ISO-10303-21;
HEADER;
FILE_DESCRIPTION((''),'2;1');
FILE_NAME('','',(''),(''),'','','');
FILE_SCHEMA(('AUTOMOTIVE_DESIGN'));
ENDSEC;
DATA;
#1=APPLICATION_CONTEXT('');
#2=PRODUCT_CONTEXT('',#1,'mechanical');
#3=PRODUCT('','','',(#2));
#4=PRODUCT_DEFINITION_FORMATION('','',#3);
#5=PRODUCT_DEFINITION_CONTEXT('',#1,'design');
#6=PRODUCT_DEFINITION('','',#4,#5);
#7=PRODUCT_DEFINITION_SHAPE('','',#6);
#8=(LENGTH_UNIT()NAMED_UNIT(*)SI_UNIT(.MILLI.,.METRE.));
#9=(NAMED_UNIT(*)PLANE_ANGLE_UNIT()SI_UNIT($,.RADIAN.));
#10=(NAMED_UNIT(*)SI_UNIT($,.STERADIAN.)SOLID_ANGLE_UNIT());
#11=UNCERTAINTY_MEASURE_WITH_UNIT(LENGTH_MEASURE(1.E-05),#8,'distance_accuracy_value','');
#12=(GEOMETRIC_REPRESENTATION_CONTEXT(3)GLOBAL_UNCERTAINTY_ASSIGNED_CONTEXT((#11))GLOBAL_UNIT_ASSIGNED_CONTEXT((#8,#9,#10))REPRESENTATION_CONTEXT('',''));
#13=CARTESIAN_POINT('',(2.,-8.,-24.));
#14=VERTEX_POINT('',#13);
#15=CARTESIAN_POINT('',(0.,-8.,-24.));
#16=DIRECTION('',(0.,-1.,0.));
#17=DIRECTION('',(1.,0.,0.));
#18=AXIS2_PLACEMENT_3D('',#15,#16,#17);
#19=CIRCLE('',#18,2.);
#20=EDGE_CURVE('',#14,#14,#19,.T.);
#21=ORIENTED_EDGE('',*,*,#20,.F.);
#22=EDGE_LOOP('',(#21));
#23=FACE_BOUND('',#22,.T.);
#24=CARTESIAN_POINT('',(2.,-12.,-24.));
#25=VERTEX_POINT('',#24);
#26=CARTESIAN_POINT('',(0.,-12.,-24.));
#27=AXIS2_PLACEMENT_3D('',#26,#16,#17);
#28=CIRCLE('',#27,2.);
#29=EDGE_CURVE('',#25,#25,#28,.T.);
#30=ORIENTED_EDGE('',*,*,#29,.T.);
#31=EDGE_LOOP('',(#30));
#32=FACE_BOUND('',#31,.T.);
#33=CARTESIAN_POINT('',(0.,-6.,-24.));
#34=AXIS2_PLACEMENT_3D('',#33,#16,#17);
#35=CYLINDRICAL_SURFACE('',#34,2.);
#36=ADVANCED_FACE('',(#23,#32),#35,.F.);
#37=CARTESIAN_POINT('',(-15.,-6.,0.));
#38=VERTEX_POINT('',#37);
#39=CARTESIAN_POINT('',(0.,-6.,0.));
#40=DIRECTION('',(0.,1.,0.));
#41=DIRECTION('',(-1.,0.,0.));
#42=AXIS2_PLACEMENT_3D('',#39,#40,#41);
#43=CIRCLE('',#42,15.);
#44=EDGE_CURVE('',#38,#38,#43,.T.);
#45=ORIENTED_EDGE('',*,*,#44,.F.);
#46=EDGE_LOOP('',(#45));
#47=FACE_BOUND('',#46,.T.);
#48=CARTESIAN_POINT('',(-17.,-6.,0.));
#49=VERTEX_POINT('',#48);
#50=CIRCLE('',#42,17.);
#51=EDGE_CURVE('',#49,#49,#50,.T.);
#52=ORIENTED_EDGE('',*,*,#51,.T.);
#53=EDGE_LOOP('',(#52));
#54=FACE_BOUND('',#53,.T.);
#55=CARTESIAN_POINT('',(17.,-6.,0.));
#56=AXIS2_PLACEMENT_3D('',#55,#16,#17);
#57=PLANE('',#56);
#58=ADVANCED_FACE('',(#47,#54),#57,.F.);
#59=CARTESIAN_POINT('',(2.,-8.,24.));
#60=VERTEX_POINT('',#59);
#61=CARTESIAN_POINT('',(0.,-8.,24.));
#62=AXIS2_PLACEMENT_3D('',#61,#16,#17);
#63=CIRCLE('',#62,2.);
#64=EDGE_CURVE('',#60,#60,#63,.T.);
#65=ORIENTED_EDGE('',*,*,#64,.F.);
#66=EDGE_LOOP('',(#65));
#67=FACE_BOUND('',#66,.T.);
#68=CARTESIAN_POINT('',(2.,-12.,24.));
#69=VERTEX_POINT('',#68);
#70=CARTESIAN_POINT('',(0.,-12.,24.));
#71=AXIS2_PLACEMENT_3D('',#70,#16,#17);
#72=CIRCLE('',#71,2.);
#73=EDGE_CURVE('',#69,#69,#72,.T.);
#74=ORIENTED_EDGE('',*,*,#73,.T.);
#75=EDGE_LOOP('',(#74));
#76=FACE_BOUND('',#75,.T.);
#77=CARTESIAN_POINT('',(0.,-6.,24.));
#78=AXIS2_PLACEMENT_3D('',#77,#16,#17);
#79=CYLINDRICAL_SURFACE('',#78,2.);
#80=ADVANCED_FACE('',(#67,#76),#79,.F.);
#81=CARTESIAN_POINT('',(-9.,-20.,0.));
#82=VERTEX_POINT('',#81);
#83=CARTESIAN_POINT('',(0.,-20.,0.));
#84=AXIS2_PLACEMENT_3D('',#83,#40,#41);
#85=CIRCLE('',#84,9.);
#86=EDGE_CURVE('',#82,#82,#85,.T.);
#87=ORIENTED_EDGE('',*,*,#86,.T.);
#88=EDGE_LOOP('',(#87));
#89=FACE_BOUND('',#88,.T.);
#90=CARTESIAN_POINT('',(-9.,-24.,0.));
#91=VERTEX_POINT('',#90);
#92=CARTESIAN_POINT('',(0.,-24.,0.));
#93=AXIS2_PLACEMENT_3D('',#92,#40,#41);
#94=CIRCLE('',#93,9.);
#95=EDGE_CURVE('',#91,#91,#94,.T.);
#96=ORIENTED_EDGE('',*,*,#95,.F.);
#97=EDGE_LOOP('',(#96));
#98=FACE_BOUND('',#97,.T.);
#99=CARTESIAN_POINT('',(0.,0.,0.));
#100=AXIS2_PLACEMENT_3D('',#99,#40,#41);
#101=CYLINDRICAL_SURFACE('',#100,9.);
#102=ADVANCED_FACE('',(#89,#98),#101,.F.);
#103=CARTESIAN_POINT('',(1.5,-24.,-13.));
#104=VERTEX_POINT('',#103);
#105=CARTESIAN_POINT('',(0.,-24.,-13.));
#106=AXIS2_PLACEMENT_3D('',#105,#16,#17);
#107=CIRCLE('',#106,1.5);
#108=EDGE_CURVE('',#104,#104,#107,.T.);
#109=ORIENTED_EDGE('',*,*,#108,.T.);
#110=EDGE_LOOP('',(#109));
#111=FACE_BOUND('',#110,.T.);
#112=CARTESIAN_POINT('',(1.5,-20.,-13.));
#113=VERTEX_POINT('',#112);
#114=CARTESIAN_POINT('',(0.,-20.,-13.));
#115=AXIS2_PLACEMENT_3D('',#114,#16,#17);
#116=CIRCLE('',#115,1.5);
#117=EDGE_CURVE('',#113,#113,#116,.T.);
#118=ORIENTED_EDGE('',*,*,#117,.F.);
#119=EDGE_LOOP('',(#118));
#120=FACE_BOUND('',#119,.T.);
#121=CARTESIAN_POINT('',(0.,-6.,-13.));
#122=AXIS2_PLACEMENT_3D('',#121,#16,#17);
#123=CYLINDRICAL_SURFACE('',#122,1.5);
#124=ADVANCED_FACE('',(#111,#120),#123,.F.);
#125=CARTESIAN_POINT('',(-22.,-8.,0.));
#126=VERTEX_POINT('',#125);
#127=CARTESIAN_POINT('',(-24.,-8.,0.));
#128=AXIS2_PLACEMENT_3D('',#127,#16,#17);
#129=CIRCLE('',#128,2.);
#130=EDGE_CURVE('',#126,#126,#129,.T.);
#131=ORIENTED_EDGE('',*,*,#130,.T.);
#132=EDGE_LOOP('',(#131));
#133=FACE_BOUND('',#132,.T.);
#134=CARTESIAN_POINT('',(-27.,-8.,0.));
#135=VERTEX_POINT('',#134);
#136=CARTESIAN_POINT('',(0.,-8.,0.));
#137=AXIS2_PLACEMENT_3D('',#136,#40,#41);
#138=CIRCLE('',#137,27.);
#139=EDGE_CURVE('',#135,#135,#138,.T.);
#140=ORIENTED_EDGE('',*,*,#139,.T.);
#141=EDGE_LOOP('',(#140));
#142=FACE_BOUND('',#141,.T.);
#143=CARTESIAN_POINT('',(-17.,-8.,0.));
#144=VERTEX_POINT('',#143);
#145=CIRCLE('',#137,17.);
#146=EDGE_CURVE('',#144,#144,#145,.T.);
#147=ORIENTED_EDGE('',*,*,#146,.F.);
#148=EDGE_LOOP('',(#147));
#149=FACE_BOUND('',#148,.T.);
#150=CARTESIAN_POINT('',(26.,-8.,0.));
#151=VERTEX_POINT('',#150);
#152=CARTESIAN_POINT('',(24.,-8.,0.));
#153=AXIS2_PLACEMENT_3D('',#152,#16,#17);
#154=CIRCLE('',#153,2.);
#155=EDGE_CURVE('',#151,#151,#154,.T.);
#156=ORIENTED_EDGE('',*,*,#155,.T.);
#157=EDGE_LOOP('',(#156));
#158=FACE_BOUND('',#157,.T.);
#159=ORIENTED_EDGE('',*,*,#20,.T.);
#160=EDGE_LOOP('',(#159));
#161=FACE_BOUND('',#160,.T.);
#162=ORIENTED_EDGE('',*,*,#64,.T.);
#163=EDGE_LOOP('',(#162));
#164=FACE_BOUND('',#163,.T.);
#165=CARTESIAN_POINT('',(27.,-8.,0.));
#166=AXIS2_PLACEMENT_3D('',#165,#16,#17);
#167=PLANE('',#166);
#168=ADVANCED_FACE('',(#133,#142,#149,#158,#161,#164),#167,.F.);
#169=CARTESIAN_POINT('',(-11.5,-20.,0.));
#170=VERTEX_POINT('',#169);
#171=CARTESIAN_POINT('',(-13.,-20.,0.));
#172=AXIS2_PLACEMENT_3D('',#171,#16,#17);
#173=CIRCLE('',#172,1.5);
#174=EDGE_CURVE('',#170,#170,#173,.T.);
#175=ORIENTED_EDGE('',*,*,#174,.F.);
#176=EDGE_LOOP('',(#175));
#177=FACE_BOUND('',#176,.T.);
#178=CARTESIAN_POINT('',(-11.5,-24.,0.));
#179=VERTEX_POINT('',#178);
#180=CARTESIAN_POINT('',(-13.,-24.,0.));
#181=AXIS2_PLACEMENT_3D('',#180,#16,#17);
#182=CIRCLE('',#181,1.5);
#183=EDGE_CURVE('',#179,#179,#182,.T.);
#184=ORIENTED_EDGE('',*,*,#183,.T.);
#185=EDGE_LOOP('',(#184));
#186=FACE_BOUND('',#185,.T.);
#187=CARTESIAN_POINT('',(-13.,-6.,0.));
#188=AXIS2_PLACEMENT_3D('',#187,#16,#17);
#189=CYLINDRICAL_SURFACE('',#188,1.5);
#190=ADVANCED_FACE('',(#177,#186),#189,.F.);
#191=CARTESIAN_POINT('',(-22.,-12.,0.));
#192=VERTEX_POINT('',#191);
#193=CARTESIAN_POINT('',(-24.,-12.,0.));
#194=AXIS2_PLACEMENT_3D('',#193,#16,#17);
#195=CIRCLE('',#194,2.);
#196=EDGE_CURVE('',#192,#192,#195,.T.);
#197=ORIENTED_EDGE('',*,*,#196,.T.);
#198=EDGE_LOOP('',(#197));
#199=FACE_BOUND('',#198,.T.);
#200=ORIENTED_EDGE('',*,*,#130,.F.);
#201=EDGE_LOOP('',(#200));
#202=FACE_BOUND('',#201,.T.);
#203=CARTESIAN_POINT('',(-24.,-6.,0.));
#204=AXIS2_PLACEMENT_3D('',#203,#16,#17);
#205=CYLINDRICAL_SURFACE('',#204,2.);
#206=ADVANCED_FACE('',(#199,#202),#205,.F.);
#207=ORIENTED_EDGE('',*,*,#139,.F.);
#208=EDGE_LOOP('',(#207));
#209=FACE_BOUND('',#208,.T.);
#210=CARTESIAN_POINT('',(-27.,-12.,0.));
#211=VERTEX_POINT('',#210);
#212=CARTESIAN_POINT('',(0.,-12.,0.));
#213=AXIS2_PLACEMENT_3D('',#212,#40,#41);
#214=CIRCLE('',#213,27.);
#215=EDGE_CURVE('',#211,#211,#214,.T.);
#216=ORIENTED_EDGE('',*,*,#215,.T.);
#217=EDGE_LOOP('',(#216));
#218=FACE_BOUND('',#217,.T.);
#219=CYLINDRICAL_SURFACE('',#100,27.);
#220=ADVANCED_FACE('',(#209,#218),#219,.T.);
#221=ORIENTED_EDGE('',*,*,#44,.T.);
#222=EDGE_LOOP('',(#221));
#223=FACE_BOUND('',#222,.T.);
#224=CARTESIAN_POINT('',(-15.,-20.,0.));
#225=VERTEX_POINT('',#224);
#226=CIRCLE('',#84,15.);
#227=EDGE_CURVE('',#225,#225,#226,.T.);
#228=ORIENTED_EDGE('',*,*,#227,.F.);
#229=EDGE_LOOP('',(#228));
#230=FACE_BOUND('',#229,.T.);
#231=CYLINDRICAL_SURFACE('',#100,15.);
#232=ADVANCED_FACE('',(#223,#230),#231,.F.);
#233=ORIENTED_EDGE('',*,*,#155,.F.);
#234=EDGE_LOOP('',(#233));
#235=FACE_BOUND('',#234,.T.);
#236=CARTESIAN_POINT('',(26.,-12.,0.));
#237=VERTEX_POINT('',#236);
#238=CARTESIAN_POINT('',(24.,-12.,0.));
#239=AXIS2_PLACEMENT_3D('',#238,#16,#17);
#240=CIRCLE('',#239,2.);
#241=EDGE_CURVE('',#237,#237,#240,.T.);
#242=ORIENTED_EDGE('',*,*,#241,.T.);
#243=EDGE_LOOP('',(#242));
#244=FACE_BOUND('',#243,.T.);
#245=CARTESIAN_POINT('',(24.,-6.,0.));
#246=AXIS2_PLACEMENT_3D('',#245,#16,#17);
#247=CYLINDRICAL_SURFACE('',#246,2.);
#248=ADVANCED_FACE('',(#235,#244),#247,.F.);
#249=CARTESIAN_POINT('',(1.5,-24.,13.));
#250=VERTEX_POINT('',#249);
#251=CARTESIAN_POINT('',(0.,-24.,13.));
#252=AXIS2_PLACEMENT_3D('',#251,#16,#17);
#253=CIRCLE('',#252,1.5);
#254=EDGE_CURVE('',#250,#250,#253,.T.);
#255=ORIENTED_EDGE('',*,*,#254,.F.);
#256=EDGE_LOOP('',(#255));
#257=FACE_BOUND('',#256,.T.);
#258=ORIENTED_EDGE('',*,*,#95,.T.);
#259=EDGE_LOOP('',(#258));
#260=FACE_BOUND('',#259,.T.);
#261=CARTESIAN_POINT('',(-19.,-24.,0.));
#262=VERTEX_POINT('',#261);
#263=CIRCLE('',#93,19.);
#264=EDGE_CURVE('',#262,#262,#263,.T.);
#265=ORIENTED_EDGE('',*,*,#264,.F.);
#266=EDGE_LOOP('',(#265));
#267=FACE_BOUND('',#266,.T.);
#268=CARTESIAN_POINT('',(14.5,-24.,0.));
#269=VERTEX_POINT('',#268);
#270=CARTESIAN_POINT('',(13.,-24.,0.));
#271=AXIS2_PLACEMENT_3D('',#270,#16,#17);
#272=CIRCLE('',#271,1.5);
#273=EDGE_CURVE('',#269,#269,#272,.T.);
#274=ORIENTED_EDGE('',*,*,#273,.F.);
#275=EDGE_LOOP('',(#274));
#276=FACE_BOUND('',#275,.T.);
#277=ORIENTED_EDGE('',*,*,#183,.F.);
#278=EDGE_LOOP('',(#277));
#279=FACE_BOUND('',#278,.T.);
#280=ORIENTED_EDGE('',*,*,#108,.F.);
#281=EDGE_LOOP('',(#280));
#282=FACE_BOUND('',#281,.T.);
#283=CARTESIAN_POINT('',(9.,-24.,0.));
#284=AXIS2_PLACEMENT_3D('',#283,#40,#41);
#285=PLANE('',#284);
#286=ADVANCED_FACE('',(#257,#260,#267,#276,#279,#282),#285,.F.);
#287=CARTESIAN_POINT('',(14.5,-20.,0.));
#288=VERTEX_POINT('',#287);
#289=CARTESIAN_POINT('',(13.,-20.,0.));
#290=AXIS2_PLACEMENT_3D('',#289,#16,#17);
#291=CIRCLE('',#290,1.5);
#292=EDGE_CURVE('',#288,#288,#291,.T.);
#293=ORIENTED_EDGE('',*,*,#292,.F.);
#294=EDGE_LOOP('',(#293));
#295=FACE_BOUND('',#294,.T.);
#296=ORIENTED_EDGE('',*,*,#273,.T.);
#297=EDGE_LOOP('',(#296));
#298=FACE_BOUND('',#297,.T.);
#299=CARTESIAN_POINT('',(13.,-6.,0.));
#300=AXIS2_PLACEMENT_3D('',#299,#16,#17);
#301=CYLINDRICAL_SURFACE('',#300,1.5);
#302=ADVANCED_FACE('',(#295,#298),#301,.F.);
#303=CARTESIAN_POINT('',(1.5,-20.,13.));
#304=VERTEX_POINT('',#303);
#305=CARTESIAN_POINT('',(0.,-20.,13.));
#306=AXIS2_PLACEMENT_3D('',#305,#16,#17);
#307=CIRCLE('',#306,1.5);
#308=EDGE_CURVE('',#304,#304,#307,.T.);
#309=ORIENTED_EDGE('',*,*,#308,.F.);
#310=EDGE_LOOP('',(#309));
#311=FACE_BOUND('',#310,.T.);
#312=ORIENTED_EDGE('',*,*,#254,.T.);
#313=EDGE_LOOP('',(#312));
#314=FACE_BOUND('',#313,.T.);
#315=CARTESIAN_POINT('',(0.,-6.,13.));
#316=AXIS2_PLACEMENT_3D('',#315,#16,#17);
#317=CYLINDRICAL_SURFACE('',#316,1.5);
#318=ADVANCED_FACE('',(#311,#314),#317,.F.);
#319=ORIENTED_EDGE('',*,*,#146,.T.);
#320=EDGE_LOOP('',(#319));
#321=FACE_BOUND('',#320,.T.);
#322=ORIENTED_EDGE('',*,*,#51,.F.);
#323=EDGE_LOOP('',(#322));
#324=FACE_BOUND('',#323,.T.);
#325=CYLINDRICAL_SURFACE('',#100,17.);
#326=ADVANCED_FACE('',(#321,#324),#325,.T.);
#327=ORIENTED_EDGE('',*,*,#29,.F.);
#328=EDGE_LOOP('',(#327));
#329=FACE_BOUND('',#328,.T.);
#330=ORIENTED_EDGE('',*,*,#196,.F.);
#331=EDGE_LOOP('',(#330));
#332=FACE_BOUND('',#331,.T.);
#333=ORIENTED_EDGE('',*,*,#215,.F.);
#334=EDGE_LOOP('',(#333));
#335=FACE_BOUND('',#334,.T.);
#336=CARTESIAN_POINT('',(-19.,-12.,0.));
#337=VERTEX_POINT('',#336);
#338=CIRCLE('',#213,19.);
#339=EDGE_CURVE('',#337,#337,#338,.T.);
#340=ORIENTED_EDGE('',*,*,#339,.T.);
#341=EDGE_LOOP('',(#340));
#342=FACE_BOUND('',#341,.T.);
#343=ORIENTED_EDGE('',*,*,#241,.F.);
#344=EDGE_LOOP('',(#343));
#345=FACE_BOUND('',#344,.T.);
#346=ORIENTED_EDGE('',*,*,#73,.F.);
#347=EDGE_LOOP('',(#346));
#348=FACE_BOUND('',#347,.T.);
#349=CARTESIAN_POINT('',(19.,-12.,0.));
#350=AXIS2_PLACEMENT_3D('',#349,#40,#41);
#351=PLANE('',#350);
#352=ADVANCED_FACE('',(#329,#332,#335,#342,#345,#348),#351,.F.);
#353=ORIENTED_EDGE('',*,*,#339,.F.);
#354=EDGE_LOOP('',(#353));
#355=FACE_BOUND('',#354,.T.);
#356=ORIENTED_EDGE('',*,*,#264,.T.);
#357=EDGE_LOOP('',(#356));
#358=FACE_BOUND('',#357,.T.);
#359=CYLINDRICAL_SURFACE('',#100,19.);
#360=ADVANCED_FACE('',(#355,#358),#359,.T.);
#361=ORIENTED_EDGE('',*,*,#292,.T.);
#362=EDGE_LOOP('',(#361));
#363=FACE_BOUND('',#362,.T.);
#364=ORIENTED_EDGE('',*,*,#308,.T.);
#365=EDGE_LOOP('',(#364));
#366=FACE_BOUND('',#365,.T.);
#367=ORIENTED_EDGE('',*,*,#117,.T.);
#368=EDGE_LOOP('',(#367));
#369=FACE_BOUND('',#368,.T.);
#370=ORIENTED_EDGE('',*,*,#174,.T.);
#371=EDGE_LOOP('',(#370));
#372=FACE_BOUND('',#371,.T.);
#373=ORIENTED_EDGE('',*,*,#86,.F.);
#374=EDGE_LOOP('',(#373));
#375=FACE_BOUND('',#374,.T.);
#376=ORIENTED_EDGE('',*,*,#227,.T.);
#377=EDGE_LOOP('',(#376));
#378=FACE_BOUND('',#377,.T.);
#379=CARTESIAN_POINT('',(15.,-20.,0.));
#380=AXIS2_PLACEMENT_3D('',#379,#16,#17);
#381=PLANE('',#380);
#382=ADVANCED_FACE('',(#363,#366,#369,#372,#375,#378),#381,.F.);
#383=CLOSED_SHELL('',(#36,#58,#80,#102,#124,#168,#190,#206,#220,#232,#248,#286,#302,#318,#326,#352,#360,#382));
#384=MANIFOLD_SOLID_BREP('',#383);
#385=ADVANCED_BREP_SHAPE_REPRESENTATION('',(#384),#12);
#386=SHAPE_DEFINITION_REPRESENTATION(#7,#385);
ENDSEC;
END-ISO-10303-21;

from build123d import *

# Parameters (mm, degrees)
ESQUISSE4_R      = 1.5
EXTRUSION3_DEPTH = 19
ESQUISSE3_R      = 2
EXTRUSION4_DEPTH = 7


with BuildPart() as part:
    # Esquisse1 → Révolution1 (revolve)
    with BuildSketch(Plane.XY):
        Polygon((19, -12), (27, -12), (27, -8), (17, -8), (17, -6), (15, -6), (15, -20), (9, -20), (9, -24), (19, -24), align=None)
    revolve(axis=Axis((0, 0, 0), (0, -1, 0)))

    # Esquisse4 → Extrusion3 (cut, through all)
    with BuildSketch(Plane.XZ.offset(24)):
        with Locations((0, 13)):
            Circle(ESQUISSE4_R)
        with Locations((13, 0)):
            Circle(ESQUISSE4_R)
        with Locations((0, -13)):
            Circle(ESQUISSE4_R)
        with Locations((-13, 0)):
            Circle(ESQUISSE4_R)
    extrude(amount=-EXTRUSION3_DEPTH, mode=Mode.SUBTRACT)

    # Esquisse3 → Extrusion4 (cut, through all)
    with BuildSketch(Plane.XZ.offset(12)):
        with Locations((24, 0)):
            Circle(ESQUISSE3_R)
        with Locations((0, 24)):
            Circle(ESQUISSE3_R)
        with Locations((0, -24)):
            Circle(ESQUISSE3_R)
        with Locations((-24, 0)):
            Circle(ESQUISSE3_R)
    extrude(amount=-EXTRUSION4_DEPTH, mode=Mode.SUBTRACT)


solid = part.part
